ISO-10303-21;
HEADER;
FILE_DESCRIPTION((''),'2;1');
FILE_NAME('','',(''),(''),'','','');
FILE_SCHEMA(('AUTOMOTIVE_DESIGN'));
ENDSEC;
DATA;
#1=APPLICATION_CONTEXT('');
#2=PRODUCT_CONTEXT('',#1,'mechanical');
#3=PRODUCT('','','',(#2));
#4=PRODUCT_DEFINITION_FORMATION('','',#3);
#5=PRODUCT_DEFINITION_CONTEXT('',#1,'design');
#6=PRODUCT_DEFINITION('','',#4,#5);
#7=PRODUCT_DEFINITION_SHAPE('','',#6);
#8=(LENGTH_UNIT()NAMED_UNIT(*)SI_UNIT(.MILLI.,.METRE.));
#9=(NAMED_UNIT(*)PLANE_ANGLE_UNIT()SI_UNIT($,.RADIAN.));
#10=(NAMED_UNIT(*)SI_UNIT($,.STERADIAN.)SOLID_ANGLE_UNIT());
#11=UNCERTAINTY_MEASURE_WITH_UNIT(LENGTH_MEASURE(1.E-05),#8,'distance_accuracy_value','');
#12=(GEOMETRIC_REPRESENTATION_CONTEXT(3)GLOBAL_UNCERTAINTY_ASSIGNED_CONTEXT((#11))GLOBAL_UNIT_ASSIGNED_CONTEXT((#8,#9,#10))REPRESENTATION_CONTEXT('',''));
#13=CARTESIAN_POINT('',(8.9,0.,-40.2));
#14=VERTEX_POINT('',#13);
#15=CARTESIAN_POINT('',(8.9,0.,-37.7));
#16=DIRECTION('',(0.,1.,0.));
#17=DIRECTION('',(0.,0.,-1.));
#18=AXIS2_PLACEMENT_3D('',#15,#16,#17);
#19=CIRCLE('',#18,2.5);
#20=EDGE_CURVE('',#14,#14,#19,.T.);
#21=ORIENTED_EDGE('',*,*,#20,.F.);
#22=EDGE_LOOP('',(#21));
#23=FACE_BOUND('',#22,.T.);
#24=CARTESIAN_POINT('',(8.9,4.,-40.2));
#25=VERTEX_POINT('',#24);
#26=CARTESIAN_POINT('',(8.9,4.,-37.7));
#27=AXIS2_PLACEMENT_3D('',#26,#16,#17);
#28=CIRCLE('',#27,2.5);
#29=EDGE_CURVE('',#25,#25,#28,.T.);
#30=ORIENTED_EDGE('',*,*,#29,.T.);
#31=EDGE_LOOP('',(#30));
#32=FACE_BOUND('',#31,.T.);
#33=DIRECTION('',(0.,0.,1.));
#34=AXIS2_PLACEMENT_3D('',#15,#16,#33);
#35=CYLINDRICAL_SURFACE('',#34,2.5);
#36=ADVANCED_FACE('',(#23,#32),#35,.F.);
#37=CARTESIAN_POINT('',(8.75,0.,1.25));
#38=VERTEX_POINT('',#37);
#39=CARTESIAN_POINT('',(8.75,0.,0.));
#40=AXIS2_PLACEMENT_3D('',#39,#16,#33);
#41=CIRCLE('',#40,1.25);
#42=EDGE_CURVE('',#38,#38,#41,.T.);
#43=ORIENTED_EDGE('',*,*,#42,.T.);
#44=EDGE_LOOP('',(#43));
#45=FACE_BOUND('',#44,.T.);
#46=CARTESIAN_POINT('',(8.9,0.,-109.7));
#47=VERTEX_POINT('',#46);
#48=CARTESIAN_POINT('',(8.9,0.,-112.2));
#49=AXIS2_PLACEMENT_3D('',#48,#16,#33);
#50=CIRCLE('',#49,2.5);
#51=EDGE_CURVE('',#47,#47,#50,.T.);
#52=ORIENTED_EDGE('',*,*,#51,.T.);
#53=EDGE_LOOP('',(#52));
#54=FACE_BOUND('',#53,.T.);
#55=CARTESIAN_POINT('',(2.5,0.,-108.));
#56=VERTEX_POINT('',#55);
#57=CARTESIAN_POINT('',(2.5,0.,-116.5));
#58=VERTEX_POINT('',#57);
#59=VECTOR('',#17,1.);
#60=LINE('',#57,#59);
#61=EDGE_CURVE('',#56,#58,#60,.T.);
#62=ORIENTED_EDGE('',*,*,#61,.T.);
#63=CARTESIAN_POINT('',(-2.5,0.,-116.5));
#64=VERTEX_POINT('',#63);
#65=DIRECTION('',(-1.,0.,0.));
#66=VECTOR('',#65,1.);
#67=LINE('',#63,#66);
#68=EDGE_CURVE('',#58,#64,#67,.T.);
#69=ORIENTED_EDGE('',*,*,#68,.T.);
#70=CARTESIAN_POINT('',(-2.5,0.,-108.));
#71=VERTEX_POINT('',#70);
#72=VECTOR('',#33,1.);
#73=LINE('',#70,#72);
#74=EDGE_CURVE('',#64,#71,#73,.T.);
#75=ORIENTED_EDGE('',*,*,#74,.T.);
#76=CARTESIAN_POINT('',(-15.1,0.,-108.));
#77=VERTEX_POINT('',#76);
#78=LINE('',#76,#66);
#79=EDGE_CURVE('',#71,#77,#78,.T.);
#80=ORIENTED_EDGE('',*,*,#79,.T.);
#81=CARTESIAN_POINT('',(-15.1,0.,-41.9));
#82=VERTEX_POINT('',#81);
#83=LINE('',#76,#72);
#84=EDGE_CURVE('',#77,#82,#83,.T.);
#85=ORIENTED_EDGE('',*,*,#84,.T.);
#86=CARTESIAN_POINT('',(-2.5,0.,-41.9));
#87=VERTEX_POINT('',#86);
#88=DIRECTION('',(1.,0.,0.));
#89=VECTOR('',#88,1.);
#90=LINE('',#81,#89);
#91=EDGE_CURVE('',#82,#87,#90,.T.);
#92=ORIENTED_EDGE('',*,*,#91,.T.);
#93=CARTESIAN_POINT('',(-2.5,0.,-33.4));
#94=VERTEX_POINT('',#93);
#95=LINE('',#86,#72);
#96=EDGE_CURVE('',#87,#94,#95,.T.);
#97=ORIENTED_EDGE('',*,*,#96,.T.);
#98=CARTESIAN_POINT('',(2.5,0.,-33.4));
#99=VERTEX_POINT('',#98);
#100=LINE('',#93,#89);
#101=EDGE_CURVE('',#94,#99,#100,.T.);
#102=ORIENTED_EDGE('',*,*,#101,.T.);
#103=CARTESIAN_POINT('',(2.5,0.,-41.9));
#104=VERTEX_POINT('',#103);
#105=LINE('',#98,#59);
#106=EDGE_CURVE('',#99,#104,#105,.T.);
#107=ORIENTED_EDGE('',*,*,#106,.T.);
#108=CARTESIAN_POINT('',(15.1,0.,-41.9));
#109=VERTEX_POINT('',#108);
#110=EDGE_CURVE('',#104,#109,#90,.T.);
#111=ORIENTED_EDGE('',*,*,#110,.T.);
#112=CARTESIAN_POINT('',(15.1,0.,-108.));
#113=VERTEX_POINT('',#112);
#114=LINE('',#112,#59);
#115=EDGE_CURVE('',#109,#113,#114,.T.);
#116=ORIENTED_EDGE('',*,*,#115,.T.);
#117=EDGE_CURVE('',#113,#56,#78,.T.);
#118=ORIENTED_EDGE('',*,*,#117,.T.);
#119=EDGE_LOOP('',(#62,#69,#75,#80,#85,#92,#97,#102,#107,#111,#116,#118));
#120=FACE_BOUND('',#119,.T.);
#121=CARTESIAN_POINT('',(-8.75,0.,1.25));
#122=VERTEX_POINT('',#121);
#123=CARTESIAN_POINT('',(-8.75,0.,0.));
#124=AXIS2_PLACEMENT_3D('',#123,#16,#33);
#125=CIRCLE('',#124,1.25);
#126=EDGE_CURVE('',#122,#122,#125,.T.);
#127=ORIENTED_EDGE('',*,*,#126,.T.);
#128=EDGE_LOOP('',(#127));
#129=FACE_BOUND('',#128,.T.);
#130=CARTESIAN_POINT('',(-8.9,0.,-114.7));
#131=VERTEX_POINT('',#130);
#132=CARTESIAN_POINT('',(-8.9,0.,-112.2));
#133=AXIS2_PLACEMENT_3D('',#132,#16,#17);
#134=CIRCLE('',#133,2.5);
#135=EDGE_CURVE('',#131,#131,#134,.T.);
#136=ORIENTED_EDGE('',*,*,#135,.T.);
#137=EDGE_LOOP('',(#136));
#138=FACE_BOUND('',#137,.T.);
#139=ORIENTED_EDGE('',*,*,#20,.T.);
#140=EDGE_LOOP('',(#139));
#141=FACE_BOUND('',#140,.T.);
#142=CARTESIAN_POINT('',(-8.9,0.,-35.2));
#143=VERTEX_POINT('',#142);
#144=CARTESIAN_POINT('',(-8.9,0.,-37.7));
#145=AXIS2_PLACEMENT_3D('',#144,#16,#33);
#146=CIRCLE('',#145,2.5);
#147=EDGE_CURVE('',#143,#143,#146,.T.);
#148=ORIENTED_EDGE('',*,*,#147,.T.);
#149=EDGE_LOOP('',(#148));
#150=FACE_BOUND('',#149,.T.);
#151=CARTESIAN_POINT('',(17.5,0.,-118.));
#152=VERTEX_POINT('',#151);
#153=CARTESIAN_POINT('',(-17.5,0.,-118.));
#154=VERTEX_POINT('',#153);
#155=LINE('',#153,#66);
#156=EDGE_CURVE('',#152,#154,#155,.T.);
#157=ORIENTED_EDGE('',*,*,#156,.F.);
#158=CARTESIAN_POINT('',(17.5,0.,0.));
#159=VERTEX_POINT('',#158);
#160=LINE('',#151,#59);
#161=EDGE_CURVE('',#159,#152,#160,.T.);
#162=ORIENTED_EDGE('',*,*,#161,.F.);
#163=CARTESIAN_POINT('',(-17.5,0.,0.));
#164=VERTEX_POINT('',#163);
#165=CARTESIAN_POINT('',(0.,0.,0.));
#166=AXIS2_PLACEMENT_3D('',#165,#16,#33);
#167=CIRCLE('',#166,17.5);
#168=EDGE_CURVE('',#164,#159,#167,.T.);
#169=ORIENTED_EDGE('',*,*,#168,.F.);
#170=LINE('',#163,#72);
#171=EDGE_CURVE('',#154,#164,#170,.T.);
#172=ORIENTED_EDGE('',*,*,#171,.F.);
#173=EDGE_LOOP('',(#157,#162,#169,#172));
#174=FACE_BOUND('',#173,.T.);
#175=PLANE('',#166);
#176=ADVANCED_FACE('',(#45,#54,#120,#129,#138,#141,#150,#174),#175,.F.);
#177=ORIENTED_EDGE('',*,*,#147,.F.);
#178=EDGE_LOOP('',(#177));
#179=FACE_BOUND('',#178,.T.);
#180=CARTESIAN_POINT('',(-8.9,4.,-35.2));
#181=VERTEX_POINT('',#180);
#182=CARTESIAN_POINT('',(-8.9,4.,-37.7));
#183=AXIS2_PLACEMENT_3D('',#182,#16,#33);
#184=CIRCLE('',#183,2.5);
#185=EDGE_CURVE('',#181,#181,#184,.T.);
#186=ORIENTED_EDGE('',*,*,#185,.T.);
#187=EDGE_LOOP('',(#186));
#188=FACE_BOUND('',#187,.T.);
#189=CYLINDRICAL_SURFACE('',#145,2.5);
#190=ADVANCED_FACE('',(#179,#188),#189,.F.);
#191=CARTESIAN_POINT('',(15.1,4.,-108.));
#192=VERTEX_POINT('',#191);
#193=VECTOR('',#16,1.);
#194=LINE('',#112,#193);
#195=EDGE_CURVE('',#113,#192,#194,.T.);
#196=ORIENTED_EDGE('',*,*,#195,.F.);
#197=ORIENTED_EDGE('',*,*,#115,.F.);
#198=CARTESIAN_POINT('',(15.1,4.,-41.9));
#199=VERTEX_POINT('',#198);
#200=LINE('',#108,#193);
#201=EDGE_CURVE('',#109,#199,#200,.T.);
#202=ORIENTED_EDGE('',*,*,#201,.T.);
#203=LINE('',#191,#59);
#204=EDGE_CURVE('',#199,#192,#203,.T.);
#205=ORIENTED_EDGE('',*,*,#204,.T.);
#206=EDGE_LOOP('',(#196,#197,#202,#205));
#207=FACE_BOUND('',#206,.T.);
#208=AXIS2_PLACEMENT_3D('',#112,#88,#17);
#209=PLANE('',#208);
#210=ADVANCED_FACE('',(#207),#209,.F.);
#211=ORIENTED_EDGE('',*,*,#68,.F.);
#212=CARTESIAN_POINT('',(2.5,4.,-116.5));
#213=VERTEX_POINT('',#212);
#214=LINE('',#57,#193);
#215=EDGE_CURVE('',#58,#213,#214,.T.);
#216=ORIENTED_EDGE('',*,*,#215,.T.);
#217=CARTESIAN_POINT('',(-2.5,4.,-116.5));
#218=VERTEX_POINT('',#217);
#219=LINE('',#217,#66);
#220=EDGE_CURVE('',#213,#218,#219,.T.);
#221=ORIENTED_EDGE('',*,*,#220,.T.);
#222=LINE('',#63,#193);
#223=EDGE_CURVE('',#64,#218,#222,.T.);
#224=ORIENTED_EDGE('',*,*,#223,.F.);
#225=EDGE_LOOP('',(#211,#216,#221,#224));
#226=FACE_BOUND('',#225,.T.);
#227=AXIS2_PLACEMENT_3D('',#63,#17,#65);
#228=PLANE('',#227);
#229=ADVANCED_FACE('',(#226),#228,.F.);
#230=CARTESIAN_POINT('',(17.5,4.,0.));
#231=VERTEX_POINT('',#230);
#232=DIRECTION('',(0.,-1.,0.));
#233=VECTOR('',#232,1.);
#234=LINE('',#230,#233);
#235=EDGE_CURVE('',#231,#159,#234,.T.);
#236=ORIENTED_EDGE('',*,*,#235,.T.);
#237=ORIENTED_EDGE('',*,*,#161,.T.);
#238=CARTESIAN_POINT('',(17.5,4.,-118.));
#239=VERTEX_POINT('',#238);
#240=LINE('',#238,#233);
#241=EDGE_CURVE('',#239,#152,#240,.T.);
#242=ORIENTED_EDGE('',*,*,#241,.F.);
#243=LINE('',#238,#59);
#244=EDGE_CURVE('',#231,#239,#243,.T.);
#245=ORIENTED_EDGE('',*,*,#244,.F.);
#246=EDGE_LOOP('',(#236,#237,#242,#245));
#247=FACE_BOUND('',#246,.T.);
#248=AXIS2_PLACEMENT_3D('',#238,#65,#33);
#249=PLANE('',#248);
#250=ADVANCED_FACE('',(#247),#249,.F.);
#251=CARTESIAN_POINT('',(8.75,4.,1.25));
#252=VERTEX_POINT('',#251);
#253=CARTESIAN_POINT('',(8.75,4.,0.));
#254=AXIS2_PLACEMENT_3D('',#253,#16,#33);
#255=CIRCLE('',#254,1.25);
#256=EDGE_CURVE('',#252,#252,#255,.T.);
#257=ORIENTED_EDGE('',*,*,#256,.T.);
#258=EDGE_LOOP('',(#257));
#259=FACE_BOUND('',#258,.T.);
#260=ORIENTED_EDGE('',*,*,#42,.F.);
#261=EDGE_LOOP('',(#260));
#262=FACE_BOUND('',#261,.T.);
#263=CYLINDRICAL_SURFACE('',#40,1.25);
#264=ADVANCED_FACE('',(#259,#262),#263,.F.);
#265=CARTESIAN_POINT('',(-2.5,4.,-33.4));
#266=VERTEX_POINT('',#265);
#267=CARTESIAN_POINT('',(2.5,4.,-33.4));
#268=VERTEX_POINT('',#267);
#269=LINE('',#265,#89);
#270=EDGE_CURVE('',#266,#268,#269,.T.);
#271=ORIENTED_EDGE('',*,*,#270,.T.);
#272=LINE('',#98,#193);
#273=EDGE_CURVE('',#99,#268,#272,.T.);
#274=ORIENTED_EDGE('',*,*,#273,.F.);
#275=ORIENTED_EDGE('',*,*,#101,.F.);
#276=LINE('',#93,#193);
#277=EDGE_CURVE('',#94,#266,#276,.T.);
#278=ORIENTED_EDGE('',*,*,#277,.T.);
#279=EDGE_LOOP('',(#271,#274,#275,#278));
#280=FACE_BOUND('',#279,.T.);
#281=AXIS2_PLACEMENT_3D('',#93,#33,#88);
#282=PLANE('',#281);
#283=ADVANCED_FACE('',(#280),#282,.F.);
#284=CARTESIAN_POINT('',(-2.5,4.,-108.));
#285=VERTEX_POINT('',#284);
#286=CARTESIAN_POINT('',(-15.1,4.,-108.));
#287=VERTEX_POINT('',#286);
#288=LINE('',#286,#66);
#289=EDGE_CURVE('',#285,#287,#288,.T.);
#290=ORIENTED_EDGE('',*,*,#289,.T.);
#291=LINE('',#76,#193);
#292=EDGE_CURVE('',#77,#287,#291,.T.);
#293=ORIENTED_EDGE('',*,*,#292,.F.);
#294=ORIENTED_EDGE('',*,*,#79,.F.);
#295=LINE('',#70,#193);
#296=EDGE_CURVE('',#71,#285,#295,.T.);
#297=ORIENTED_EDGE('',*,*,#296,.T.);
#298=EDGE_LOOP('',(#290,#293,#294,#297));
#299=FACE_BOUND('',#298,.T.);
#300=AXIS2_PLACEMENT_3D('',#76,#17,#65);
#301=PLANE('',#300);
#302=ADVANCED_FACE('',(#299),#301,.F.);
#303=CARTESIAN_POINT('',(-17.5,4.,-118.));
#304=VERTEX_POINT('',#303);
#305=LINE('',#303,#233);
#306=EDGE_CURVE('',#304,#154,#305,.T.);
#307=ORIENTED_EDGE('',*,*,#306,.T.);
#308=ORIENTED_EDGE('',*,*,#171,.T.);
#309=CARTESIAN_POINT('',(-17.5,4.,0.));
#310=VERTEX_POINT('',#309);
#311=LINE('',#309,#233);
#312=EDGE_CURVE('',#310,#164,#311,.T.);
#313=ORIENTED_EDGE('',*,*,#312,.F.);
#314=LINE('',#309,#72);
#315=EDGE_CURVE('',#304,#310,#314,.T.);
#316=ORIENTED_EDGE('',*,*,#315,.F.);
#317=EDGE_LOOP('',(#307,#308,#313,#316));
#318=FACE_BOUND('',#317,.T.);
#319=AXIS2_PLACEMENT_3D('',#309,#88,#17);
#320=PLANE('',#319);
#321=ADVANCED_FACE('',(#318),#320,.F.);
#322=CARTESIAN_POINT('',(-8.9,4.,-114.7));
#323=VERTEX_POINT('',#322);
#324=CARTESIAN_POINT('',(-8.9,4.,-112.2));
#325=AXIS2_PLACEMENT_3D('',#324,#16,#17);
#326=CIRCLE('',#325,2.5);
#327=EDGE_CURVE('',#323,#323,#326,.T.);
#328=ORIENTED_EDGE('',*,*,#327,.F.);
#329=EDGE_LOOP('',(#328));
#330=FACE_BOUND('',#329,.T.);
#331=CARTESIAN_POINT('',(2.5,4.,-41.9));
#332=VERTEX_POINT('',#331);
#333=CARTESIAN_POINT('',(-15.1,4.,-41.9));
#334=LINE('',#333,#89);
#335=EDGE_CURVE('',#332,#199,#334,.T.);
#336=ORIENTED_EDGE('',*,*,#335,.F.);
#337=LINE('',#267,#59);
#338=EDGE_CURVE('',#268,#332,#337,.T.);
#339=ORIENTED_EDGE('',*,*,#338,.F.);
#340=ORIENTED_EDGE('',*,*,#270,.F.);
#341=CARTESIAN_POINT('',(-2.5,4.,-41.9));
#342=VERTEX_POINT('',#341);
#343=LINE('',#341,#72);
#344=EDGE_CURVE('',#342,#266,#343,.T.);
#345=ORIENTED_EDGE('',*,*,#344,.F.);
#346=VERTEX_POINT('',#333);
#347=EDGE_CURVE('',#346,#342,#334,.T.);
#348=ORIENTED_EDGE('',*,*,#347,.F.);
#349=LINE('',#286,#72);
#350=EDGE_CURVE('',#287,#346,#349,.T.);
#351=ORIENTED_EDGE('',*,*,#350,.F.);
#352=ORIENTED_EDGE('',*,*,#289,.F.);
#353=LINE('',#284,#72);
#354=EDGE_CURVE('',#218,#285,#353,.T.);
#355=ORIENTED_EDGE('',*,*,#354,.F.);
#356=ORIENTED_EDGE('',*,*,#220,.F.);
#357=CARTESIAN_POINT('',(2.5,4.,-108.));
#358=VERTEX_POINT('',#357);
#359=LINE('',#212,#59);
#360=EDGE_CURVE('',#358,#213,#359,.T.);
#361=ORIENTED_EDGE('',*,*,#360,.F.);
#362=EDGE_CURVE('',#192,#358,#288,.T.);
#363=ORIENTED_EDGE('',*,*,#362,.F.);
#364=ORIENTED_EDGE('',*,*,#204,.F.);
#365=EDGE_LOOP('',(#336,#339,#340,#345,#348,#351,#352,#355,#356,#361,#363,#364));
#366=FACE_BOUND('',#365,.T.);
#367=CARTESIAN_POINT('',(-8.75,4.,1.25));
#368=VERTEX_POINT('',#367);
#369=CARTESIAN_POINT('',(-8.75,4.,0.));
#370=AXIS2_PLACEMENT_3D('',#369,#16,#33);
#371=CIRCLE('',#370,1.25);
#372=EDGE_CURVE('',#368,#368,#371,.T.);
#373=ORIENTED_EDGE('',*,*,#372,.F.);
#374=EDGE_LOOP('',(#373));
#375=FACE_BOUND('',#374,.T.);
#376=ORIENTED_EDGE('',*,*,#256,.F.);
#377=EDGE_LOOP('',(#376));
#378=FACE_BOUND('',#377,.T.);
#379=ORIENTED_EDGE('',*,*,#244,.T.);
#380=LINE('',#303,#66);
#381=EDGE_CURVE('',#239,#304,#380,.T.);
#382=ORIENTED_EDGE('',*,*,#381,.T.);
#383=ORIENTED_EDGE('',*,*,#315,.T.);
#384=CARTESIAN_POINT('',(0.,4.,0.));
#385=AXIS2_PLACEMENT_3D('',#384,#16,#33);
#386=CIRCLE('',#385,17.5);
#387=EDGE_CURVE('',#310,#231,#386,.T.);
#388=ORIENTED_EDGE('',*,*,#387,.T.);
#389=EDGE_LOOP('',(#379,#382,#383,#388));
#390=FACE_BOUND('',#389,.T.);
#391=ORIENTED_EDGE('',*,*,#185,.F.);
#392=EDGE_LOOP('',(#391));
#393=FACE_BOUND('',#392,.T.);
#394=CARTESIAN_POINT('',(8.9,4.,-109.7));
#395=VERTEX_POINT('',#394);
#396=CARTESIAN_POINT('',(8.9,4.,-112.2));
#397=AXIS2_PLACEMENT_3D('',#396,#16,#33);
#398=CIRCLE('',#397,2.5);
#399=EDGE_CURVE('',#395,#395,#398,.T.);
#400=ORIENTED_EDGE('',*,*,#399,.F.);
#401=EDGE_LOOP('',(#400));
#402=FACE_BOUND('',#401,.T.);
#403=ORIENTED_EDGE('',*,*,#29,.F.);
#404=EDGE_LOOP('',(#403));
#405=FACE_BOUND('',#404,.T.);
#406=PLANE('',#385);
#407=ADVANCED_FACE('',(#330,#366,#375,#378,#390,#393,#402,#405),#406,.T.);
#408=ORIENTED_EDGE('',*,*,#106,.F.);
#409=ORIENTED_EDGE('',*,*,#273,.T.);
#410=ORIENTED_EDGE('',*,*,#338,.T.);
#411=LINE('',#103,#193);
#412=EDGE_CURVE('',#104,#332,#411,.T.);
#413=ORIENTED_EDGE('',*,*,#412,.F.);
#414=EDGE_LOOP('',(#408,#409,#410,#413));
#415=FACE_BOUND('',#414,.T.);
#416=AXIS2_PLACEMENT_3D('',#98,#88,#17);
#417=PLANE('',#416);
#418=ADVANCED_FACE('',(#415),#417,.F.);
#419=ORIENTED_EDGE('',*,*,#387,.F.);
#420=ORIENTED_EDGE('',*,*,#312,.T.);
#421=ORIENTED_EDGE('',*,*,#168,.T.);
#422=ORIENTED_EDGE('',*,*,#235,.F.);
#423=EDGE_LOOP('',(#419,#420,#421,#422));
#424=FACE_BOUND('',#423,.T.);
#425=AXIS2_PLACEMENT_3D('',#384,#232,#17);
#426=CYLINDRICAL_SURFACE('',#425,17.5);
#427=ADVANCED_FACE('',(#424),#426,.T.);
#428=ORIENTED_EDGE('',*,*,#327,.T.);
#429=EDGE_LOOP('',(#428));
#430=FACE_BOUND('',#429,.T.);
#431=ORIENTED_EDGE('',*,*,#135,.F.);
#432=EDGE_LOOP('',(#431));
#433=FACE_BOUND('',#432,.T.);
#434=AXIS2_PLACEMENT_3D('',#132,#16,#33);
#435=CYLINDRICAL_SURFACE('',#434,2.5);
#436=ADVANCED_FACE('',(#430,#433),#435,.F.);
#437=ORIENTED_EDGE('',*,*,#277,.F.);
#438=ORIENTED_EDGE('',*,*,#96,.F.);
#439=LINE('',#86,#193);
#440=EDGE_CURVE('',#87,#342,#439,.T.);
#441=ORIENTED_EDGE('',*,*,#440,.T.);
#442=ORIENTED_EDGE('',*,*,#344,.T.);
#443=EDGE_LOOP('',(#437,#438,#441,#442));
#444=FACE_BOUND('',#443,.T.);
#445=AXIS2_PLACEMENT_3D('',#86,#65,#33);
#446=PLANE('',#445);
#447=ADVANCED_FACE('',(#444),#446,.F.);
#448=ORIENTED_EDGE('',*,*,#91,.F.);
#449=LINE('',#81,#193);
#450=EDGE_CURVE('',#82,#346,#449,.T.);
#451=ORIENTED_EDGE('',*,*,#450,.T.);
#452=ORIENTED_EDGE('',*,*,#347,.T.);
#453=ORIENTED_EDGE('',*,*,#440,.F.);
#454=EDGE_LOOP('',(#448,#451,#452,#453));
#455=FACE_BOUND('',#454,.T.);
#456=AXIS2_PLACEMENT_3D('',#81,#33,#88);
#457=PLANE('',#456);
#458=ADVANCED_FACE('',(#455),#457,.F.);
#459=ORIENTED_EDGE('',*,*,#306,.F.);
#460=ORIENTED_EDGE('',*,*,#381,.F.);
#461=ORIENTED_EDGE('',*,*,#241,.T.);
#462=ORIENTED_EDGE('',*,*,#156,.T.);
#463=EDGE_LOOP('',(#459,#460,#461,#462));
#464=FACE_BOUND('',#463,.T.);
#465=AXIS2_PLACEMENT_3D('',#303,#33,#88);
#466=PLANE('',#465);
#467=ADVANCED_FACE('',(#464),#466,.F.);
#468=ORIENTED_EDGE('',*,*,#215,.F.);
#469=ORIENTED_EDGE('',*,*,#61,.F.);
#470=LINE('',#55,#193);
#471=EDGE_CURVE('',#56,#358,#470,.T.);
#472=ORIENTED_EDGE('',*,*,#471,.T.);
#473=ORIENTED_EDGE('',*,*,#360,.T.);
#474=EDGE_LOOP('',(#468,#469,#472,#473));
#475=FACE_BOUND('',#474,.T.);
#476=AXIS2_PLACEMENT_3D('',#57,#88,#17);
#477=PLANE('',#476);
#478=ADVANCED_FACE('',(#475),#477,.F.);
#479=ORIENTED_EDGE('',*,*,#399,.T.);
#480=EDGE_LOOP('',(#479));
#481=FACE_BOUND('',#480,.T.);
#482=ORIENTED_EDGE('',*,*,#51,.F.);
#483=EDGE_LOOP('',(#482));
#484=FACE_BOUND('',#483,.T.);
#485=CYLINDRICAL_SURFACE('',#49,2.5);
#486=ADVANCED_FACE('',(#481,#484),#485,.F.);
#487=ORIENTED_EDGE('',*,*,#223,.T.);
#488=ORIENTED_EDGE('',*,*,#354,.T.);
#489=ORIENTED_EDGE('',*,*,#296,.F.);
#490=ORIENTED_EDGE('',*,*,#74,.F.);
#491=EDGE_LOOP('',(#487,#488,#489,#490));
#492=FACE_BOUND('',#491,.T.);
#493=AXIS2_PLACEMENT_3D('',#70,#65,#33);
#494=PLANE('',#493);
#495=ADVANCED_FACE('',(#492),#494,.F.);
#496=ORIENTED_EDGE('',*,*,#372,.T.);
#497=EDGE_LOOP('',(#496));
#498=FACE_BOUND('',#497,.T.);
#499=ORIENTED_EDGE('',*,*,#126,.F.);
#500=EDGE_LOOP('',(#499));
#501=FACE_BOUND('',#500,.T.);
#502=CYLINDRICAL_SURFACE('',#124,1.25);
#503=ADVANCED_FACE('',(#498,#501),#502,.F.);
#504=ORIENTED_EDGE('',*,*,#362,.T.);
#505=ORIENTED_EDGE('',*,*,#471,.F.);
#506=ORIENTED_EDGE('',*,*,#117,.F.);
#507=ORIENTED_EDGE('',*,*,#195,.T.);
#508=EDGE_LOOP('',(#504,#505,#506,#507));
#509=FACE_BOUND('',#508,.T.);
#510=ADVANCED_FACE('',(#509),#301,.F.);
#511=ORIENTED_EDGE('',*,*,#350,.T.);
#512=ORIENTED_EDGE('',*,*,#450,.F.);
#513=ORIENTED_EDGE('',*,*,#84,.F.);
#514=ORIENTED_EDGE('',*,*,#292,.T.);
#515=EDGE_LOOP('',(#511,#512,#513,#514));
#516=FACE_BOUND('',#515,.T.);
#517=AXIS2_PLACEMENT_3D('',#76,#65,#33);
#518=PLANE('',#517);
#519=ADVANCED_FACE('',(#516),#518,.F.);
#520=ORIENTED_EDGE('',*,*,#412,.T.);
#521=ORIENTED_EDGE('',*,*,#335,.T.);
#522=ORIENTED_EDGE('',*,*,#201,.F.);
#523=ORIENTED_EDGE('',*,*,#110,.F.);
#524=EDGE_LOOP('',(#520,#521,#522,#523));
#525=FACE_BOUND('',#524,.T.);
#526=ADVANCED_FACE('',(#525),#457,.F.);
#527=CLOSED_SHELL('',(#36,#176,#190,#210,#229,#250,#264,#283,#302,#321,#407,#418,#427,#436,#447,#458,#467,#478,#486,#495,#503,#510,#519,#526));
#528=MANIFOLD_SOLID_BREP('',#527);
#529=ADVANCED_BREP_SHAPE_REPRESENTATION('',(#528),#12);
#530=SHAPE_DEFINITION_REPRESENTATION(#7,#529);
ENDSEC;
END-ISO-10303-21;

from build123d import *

# Parameters (mm, degrees)
BOSS_EXTRUDE1_DEPTH = 4
SKETCH2_R           = 1.25
CUT_EXTRUDE1_DEPTH  = 4
SKETCH6_R           = 2.5
SKETCH6_W           = 30.2
SKETCH6_H           = 66.1
CUT_EXTRUDE5_DEPTH  = 4
CUT_EXTRUDE6_DEPTH  = 4


with BuildPart() as part:
    # Sketch1 → Boss-Extrude1 (new body)
    with BuildSketch(Plane(origin=(0, 0, 0), x_dir=(1, 0, 0), z_dir=(0, 1, 0))):
        with BuildLine():
            Line((-17.5, 0), (-17.5, 118))
            Line((-17.5, 118), (17.5, 118))
            Line((17.5, 118), (17.5, 0))
            ThreePointArc((17.5, 0), (0, -17.5), (-17.5, 0))
        make_face()
    extrude(amount=BOSS_EXTRUDE1_DEPTH)

    # Sketch2 → Cut-Extrude1 (cut)
    with BuildSketch(Plane(origin=(0, 4, 0), x_dir=(1, 0, 0), z_dir=(0, 1, 0))):
        with Locations((-8.75, 0)):
            Circle(SKETCH2_R)
        with Locations((8.75, 0)):
            Circle(SKETCH2_R)
    extrude(amount=-CUT_EXTRUDE1_DEPTH, mode=Mode.SUBTRACT)

    # Sketch6 → Cut-Extrude5 (cut)
    with BuildSketch(Plane(origin=(0, 4, 0), x_dir=(1, 0, 0), z_dir=(0, 1, 0))):
        with Locations((-8.9, 37.7)):
            Circle(SKETCH6_R)
        with Locations((8.9, 37.7)):
            Circle(SKETCH6_R)
        with Locations((8.9, 112.2)):
            Circle(SKETCH6_R)
        with Locations((-8.9, 112.2)):
            Circle(SKETCH6_R)
        with Locations((0, 74.95)):
            Rectangle(SKETCH6_W, SKETCH6_H)
    extrude(amount=-CUT_EXTRUDE5_DEPTH, mode=Mode.SUBTRACT)

    # Sketch7 → Cut-Extrude6 (cut)
    with BuildSketch(Plane(origin=(0, 4, 0), x_dir=(1, 0, 0), z_dir=(0, 1, 0))):
        Polygon((0, 41.9), (-2.5, 41.9), (-2.5, 33.4), (2.5, 33.4), (2.5, 41.9), align=None)
        Polygon((2.5, 108), (0, 108), (-2.5, 108), (-2.5, 116.5), (2.5, 116.5), align=None)
    extrude(amount=-CUT_EXTRUDE6_DEPTH, mode=Mode.SUBTRACT)


solid = part.part
